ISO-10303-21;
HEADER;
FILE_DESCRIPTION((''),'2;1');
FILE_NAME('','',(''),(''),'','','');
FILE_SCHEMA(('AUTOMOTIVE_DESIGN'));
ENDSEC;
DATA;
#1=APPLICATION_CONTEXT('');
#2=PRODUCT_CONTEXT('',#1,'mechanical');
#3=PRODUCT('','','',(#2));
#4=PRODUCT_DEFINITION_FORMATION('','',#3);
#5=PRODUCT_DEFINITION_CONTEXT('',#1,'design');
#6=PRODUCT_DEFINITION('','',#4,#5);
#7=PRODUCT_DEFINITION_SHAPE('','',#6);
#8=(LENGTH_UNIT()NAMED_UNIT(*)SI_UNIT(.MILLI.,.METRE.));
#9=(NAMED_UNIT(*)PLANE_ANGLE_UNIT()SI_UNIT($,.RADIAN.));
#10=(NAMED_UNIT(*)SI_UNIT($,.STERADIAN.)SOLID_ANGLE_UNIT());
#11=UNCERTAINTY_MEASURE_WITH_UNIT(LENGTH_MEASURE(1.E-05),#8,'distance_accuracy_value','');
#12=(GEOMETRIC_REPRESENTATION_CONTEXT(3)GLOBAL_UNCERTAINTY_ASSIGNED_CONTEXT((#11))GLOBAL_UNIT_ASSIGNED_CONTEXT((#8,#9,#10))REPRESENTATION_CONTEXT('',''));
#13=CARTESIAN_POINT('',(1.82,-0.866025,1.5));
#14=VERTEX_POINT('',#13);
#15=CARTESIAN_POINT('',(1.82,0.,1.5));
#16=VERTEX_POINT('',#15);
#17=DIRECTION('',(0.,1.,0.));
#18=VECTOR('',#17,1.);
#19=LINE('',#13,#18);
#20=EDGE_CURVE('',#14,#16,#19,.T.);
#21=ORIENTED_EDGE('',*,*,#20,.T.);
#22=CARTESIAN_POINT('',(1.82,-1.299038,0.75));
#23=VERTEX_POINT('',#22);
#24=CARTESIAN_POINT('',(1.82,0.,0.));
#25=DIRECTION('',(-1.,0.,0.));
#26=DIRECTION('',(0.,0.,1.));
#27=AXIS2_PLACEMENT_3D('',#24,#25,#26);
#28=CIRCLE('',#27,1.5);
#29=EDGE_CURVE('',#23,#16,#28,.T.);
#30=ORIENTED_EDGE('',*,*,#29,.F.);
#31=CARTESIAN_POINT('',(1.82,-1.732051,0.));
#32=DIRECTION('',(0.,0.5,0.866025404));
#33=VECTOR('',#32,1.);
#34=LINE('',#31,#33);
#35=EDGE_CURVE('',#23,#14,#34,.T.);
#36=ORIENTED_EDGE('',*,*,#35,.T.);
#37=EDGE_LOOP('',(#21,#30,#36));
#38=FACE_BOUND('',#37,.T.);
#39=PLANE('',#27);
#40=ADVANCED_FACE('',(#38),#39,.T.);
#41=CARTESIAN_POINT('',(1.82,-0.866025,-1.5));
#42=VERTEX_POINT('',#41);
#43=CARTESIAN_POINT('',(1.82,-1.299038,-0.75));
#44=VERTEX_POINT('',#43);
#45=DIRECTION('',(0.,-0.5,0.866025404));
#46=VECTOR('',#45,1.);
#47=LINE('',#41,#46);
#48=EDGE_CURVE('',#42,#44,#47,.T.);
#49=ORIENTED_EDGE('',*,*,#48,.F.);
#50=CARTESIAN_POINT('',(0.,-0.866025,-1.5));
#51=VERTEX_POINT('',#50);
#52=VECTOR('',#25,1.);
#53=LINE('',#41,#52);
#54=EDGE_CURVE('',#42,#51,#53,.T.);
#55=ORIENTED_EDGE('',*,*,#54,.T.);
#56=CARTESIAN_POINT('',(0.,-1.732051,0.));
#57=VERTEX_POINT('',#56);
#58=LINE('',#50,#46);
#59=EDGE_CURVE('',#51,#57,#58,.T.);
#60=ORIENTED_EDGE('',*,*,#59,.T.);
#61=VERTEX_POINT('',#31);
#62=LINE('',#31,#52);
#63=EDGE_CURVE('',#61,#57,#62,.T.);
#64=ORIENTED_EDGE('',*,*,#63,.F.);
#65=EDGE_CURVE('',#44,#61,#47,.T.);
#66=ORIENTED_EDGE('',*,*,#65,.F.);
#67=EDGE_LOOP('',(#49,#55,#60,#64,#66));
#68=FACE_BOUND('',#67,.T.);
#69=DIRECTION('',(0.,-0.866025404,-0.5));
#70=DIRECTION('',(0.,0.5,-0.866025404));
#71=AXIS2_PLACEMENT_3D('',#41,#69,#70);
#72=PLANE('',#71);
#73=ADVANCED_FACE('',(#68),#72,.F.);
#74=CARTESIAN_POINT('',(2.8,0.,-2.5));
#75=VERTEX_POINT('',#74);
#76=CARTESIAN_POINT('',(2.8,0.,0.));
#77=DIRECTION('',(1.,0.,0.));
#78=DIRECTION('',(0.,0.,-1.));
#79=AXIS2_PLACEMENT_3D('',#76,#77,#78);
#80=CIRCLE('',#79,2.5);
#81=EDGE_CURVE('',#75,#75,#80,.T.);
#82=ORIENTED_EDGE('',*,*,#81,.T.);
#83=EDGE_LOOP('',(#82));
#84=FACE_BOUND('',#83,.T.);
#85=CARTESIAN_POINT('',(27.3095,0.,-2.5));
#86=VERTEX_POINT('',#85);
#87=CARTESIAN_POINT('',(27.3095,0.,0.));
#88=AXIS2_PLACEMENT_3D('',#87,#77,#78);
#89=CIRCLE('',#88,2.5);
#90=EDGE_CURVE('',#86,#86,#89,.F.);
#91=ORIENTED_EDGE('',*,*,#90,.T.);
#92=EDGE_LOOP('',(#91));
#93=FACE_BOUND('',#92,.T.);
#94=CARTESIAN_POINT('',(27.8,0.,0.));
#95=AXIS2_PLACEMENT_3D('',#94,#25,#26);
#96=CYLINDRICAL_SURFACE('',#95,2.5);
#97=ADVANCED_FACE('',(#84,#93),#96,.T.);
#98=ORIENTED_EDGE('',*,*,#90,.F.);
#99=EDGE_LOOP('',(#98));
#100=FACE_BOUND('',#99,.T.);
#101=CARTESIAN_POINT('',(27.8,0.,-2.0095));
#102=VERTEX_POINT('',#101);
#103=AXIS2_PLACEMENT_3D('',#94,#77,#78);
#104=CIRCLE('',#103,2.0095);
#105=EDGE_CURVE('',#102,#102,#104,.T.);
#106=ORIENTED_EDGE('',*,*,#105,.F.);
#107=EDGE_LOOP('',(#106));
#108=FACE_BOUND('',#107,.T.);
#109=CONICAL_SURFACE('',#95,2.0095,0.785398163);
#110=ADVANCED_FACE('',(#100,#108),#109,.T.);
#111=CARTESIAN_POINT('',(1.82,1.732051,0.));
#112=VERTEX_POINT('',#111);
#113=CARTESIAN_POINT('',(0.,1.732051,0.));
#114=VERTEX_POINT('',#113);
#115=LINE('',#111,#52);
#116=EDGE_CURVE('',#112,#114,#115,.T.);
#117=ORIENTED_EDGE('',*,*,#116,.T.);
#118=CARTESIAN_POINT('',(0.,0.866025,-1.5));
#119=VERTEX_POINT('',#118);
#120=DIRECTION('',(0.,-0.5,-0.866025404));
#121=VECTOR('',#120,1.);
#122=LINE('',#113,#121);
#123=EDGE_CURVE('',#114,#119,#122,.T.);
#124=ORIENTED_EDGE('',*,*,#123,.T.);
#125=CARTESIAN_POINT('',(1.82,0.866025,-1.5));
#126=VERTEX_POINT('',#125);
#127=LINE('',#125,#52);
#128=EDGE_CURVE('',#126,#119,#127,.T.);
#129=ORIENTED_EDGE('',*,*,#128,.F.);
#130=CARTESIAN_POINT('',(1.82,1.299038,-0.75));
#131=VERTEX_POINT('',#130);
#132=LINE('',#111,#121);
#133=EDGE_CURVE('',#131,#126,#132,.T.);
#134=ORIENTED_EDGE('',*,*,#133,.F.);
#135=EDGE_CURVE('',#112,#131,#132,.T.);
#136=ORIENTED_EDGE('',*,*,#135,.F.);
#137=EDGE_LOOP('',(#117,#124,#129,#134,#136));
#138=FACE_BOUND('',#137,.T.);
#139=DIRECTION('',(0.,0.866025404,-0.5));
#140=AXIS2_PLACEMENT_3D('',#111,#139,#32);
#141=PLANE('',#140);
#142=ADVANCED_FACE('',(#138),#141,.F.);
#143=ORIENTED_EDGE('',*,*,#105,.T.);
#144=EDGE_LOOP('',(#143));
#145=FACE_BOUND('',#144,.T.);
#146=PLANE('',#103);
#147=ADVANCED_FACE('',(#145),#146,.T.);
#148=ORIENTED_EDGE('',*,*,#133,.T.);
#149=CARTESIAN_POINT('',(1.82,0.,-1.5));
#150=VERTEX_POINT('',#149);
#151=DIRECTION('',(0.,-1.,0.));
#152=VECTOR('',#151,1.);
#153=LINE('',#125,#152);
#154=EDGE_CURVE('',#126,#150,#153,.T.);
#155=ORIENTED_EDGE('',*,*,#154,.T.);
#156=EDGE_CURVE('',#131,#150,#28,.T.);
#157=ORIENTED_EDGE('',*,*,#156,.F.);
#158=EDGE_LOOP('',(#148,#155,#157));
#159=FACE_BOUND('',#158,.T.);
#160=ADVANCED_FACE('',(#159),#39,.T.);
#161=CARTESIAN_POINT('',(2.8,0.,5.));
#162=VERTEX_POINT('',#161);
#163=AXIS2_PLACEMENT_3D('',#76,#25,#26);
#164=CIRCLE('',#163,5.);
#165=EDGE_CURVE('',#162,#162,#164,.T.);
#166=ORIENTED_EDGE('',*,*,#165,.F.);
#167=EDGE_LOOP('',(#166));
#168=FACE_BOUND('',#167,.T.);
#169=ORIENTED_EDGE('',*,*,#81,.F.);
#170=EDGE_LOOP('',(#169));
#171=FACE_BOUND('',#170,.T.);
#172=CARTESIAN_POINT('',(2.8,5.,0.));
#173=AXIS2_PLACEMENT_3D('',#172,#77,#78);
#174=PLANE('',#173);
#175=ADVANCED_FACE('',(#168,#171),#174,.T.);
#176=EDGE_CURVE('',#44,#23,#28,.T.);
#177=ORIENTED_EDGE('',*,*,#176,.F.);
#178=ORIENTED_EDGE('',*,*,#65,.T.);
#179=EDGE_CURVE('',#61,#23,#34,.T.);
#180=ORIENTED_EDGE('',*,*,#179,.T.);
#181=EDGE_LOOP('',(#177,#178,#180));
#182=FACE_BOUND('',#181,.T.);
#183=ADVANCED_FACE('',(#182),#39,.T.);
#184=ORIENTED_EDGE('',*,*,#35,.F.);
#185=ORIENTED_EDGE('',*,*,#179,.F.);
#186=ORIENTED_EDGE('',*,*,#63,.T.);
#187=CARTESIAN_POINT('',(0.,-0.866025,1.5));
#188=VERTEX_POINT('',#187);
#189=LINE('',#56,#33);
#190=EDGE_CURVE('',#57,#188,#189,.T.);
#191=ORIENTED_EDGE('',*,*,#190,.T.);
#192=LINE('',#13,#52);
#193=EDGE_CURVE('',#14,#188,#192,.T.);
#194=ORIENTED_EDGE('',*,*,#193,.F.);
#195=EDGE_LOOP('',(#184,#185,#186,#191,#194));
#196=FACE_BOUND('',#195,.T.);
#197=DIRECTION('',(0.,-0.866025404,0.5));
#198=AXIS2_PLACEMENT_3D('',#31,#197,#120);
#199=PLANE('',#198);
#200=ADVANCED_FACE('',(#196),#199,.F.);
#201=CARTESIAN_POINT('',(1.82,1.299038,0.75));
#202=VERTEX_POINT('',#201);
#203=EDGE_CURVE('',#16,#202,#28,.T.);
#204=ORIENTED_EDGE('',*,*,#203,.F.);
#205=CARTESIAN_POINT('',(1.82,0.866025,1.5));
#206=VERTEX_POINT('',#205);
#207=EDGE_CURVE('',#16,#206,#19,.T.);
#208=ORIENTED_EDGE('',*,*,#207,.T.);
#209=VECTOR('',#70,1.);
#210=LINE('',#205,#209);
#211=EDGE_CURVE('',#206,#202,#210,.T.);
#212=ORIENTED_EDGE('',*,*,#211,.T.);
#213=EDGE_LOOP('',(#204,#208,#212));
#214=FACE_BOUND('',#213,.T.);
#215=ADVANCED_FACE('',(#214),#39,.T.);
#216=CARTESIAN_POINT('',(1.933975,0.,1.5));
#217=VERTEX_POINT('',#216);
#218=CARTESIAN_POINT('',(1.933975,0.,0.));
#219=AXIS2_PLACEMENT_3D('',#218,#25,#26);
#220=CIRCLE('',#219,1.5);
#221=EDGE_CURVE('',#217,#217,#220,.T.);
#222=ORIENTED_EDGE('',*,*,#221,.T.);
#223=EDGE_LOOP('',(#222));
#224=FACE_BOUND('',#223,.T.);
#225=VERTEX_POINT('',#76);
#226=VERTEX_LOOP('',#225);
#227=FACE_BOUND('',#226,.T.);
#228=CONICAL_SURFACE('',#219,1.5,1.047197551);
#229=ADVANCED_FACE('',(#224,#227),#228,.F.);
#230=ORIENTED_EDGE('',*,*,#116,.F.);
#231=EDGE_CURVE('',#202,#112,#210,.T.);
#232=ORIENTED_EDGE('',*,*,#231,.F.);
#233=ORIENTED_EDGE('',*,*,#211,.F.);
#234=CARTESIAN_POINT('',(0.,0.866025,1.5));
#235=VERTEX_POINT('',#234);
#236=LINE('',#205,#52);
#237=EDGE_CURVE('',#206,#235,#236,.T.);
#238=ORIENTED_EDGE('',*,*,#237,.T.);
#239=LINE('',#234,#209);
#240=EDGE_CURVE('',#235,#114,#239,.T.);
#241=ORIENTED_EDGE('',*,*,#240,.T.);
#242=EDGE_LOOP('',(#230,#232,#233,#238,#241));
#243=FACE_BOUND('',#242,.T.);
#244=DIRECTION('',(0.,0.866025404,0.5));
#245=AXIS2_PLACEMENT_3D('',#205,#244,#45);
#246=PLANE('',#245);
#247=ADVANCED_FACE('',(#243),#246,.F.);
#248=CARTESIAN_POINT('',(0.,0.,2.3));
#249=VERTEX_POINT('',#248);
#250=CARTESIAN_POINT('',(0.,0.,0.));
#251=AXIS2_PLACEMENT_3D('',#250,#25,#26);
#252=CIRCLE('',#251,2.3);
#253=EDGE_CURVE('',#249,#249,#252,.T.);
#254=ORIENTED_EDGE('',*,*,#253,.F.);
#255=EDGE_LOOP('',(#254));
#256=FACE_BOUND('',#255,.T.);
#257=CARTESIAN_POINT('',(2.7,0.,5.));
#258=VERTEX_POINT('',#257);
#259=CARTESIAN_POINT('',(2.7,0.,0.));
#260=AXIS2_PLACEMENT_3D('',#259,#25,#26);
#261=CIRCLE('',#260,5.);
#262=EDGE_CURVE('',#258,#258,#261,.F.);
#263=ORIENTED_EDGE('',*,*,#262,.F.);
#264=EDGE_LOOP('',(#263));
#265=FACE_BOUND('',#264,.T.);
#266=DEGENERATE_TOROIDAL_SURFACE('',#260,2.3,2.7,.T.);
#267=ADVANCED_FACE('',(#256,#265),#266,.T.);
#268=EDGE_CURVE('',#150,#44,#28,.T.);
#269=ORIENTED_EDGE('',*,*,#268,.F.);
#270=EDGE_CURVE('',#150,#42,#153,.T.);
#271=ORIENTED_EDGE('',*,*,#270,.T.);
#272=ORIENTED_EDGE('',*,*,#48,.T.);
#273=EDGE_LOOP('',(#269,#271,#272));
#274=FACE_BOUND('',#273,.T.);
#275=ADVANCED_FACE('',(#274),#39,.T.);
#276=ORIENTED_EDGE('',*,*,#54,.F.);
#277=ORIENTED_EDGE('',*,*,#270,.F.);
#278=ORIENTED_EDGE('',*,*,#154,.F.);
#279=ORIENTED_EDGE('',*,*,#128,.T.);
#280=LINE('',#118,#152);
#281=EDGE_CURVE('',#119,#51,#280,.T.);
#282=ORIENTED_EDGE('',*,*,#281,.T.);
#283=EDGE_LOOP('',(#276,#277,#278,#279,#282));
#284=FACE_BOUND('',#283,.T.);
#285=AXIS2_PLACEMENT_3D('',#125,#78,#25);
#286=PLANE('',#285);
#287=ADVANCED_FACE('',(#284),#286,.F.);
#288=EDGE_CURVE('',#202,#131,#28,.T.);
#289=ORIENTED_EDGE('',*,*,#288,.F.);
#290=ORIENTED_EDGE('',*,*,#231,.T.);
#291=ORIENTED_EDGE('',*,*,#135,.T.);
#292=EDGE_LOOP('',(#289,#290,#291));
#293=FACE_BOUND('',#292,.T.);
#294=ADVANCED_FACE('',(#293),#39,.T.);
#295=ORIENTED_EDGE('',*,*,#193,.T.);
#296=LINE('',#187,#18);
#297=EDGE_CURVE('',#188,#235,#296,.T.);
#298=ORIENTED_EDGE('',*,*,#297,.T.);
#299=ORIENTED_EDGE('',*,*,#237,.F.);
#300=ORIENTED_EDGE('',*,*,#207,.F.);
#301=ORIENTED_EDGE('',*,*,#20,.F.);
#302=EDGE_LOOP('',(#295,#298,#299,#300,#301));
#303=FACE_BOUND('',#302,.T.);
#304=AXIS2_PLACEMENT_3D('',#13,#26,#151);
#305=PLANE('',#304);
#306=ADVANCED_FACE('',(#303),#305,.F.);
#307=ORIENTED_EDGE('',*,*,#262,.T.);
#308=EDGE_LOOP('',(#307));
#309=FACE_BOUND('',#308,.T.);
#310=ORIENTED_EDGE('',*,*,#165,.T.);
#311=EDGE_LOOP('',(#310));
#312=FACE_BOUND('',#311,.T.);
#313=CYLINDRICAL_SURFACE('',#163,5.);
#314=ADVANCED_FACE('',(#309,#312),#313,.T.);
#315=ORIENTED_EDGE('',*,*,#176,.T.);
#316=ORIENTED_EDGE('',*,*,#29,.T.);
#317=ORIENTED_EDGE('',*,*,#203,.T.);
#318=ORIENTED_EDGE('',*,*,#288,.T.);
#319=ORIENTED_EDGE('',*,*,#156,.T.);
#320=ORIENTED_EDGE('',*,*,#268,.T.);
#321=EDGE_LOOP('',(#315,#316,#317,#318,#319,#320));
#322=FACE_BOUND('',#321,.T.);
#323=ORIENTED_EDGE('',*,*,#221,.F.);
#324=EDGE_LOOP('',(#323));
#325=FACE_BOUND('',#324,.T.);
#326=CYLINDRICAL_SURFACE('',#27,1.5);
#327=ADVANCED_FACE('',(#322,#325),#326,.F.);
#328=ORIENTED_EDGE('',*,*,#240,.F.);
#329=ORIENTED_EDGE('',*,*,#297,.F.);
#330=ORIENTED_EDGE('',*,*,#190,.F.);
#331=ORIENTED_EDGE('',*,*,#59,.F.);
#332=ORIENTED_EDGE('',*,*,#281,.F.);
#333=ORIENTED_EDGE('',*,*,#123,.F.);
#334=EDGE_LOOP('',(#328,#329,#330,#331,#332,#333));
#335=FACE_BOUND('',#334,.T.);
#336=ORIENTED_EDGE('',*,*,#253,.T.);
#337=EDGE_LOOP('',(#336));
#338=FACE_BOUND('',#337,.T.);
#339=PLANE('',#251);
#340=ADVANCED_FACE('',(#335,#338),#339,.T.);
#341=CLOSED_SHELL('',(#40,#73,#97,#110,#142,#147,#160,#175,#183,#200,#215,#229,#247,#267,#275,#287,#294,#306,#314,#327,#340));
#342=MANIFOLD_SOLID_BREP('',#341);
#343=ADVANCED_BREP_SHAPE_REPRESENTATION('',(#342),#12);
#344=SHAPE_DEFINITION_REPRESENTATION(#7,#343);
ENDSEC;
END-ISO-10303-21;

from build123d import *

# Parameters (mm, degrees)
SKETCH_1_W                = 2.8
SKETCH_1_H                = 5
SKETCH_2_R                = 2.5
EXTRUDE_1_DEPTH           = 25
CUT_EXTRUDE_1_DEPTH       = 1.82
HOLE_WIZARD_3_0_3_1_D     = 3
HOLE_WIZARD_3_0_3_1_DEPTH = 0.113974596
HOLE_WIZARD_3_0_3_1_TIP   = 0.866025404
CHAMFER_1_SIZE            = 0.4905
FILLET_1_R                = 2.7


with BuildPart() as part:
    # Эскиз1 → Повернуть1 (revolve)
    with BuildSketch(Plane(origin=(0, 0, 0), x_dir=(-1, 0, 0), z_dir=(0, 0, -1))):
        with Locations((-1.4, 2.5)):
            Rectangle(SKETCH_1_W, SKETCH_1_H)
    revolve(axis=Axis((2.8, 0, 0), (-1, 0, 0)))

    # Эскиз2 → Бобышка-Вытянуть1 (add)
    with BuildSketch(Plane(origin=(2.8, 0, 0), x_dir=(0, 0, -1), z_dir=(1, 0, 0))):
        Circle(SKETCH_2_R)
    extrude(amount=EXTRUDE_1_DEPTH)

    # Эскиз3 → Вырез-Вытянуть1 (cut)
    with BuildSketch(Plane.ZY):
        Polygon((0, 1.732050808), (-1.5, 0.866025404), (-1.5, -0.866025404), (0, -1.732050808), (1.5, -0.866025404), (1.5, 0.866025404), align=None)
    extrude(amount=-CUT_EXTRUDE_1_DEPTH, mode=Mode.SUBTRACT)

    # Диаметр отверстия Ø3.0 (3)1
    with Locations(Plane.ZY.offset(-1.82)):
        with Locations((0, 0)):
            Hole(HOLE_WIZARD_3_0_3_1_D / 2, depth=HOLE_WIZARD_3_0_3_1_DEPTH)
            with Locations((0, 0, -(HOLE_WIZARD_3_0_3_1_DEPTH + HOLE_WIZARD_3_0_3_1_TIP / 2))):  # 120° drill point
                Cone(0, HOLE_WIZARD_3_0_3_1_D / 2, HOLE_WIZARD_3_0_3_1_TIP, mode=Mode.SUBTRACT)

    # Фаска1
    chamfer_1_edges = [part.edges().sort_by_distance(p)[0] for p in [
        (27.8, 0, 2.5),
    ]]
    chamfer(chamfer_1_edges, length=CHAMFER_1_SIZE)

    # Скругление1
    fillet_1_edges = [part.edges().sort_by_distance(p)[0] for p in [
        (0, -5, 0),
    ]]
    fillet(fillet_1_edges, radius=FILLET_1_R)


solid = part.part
